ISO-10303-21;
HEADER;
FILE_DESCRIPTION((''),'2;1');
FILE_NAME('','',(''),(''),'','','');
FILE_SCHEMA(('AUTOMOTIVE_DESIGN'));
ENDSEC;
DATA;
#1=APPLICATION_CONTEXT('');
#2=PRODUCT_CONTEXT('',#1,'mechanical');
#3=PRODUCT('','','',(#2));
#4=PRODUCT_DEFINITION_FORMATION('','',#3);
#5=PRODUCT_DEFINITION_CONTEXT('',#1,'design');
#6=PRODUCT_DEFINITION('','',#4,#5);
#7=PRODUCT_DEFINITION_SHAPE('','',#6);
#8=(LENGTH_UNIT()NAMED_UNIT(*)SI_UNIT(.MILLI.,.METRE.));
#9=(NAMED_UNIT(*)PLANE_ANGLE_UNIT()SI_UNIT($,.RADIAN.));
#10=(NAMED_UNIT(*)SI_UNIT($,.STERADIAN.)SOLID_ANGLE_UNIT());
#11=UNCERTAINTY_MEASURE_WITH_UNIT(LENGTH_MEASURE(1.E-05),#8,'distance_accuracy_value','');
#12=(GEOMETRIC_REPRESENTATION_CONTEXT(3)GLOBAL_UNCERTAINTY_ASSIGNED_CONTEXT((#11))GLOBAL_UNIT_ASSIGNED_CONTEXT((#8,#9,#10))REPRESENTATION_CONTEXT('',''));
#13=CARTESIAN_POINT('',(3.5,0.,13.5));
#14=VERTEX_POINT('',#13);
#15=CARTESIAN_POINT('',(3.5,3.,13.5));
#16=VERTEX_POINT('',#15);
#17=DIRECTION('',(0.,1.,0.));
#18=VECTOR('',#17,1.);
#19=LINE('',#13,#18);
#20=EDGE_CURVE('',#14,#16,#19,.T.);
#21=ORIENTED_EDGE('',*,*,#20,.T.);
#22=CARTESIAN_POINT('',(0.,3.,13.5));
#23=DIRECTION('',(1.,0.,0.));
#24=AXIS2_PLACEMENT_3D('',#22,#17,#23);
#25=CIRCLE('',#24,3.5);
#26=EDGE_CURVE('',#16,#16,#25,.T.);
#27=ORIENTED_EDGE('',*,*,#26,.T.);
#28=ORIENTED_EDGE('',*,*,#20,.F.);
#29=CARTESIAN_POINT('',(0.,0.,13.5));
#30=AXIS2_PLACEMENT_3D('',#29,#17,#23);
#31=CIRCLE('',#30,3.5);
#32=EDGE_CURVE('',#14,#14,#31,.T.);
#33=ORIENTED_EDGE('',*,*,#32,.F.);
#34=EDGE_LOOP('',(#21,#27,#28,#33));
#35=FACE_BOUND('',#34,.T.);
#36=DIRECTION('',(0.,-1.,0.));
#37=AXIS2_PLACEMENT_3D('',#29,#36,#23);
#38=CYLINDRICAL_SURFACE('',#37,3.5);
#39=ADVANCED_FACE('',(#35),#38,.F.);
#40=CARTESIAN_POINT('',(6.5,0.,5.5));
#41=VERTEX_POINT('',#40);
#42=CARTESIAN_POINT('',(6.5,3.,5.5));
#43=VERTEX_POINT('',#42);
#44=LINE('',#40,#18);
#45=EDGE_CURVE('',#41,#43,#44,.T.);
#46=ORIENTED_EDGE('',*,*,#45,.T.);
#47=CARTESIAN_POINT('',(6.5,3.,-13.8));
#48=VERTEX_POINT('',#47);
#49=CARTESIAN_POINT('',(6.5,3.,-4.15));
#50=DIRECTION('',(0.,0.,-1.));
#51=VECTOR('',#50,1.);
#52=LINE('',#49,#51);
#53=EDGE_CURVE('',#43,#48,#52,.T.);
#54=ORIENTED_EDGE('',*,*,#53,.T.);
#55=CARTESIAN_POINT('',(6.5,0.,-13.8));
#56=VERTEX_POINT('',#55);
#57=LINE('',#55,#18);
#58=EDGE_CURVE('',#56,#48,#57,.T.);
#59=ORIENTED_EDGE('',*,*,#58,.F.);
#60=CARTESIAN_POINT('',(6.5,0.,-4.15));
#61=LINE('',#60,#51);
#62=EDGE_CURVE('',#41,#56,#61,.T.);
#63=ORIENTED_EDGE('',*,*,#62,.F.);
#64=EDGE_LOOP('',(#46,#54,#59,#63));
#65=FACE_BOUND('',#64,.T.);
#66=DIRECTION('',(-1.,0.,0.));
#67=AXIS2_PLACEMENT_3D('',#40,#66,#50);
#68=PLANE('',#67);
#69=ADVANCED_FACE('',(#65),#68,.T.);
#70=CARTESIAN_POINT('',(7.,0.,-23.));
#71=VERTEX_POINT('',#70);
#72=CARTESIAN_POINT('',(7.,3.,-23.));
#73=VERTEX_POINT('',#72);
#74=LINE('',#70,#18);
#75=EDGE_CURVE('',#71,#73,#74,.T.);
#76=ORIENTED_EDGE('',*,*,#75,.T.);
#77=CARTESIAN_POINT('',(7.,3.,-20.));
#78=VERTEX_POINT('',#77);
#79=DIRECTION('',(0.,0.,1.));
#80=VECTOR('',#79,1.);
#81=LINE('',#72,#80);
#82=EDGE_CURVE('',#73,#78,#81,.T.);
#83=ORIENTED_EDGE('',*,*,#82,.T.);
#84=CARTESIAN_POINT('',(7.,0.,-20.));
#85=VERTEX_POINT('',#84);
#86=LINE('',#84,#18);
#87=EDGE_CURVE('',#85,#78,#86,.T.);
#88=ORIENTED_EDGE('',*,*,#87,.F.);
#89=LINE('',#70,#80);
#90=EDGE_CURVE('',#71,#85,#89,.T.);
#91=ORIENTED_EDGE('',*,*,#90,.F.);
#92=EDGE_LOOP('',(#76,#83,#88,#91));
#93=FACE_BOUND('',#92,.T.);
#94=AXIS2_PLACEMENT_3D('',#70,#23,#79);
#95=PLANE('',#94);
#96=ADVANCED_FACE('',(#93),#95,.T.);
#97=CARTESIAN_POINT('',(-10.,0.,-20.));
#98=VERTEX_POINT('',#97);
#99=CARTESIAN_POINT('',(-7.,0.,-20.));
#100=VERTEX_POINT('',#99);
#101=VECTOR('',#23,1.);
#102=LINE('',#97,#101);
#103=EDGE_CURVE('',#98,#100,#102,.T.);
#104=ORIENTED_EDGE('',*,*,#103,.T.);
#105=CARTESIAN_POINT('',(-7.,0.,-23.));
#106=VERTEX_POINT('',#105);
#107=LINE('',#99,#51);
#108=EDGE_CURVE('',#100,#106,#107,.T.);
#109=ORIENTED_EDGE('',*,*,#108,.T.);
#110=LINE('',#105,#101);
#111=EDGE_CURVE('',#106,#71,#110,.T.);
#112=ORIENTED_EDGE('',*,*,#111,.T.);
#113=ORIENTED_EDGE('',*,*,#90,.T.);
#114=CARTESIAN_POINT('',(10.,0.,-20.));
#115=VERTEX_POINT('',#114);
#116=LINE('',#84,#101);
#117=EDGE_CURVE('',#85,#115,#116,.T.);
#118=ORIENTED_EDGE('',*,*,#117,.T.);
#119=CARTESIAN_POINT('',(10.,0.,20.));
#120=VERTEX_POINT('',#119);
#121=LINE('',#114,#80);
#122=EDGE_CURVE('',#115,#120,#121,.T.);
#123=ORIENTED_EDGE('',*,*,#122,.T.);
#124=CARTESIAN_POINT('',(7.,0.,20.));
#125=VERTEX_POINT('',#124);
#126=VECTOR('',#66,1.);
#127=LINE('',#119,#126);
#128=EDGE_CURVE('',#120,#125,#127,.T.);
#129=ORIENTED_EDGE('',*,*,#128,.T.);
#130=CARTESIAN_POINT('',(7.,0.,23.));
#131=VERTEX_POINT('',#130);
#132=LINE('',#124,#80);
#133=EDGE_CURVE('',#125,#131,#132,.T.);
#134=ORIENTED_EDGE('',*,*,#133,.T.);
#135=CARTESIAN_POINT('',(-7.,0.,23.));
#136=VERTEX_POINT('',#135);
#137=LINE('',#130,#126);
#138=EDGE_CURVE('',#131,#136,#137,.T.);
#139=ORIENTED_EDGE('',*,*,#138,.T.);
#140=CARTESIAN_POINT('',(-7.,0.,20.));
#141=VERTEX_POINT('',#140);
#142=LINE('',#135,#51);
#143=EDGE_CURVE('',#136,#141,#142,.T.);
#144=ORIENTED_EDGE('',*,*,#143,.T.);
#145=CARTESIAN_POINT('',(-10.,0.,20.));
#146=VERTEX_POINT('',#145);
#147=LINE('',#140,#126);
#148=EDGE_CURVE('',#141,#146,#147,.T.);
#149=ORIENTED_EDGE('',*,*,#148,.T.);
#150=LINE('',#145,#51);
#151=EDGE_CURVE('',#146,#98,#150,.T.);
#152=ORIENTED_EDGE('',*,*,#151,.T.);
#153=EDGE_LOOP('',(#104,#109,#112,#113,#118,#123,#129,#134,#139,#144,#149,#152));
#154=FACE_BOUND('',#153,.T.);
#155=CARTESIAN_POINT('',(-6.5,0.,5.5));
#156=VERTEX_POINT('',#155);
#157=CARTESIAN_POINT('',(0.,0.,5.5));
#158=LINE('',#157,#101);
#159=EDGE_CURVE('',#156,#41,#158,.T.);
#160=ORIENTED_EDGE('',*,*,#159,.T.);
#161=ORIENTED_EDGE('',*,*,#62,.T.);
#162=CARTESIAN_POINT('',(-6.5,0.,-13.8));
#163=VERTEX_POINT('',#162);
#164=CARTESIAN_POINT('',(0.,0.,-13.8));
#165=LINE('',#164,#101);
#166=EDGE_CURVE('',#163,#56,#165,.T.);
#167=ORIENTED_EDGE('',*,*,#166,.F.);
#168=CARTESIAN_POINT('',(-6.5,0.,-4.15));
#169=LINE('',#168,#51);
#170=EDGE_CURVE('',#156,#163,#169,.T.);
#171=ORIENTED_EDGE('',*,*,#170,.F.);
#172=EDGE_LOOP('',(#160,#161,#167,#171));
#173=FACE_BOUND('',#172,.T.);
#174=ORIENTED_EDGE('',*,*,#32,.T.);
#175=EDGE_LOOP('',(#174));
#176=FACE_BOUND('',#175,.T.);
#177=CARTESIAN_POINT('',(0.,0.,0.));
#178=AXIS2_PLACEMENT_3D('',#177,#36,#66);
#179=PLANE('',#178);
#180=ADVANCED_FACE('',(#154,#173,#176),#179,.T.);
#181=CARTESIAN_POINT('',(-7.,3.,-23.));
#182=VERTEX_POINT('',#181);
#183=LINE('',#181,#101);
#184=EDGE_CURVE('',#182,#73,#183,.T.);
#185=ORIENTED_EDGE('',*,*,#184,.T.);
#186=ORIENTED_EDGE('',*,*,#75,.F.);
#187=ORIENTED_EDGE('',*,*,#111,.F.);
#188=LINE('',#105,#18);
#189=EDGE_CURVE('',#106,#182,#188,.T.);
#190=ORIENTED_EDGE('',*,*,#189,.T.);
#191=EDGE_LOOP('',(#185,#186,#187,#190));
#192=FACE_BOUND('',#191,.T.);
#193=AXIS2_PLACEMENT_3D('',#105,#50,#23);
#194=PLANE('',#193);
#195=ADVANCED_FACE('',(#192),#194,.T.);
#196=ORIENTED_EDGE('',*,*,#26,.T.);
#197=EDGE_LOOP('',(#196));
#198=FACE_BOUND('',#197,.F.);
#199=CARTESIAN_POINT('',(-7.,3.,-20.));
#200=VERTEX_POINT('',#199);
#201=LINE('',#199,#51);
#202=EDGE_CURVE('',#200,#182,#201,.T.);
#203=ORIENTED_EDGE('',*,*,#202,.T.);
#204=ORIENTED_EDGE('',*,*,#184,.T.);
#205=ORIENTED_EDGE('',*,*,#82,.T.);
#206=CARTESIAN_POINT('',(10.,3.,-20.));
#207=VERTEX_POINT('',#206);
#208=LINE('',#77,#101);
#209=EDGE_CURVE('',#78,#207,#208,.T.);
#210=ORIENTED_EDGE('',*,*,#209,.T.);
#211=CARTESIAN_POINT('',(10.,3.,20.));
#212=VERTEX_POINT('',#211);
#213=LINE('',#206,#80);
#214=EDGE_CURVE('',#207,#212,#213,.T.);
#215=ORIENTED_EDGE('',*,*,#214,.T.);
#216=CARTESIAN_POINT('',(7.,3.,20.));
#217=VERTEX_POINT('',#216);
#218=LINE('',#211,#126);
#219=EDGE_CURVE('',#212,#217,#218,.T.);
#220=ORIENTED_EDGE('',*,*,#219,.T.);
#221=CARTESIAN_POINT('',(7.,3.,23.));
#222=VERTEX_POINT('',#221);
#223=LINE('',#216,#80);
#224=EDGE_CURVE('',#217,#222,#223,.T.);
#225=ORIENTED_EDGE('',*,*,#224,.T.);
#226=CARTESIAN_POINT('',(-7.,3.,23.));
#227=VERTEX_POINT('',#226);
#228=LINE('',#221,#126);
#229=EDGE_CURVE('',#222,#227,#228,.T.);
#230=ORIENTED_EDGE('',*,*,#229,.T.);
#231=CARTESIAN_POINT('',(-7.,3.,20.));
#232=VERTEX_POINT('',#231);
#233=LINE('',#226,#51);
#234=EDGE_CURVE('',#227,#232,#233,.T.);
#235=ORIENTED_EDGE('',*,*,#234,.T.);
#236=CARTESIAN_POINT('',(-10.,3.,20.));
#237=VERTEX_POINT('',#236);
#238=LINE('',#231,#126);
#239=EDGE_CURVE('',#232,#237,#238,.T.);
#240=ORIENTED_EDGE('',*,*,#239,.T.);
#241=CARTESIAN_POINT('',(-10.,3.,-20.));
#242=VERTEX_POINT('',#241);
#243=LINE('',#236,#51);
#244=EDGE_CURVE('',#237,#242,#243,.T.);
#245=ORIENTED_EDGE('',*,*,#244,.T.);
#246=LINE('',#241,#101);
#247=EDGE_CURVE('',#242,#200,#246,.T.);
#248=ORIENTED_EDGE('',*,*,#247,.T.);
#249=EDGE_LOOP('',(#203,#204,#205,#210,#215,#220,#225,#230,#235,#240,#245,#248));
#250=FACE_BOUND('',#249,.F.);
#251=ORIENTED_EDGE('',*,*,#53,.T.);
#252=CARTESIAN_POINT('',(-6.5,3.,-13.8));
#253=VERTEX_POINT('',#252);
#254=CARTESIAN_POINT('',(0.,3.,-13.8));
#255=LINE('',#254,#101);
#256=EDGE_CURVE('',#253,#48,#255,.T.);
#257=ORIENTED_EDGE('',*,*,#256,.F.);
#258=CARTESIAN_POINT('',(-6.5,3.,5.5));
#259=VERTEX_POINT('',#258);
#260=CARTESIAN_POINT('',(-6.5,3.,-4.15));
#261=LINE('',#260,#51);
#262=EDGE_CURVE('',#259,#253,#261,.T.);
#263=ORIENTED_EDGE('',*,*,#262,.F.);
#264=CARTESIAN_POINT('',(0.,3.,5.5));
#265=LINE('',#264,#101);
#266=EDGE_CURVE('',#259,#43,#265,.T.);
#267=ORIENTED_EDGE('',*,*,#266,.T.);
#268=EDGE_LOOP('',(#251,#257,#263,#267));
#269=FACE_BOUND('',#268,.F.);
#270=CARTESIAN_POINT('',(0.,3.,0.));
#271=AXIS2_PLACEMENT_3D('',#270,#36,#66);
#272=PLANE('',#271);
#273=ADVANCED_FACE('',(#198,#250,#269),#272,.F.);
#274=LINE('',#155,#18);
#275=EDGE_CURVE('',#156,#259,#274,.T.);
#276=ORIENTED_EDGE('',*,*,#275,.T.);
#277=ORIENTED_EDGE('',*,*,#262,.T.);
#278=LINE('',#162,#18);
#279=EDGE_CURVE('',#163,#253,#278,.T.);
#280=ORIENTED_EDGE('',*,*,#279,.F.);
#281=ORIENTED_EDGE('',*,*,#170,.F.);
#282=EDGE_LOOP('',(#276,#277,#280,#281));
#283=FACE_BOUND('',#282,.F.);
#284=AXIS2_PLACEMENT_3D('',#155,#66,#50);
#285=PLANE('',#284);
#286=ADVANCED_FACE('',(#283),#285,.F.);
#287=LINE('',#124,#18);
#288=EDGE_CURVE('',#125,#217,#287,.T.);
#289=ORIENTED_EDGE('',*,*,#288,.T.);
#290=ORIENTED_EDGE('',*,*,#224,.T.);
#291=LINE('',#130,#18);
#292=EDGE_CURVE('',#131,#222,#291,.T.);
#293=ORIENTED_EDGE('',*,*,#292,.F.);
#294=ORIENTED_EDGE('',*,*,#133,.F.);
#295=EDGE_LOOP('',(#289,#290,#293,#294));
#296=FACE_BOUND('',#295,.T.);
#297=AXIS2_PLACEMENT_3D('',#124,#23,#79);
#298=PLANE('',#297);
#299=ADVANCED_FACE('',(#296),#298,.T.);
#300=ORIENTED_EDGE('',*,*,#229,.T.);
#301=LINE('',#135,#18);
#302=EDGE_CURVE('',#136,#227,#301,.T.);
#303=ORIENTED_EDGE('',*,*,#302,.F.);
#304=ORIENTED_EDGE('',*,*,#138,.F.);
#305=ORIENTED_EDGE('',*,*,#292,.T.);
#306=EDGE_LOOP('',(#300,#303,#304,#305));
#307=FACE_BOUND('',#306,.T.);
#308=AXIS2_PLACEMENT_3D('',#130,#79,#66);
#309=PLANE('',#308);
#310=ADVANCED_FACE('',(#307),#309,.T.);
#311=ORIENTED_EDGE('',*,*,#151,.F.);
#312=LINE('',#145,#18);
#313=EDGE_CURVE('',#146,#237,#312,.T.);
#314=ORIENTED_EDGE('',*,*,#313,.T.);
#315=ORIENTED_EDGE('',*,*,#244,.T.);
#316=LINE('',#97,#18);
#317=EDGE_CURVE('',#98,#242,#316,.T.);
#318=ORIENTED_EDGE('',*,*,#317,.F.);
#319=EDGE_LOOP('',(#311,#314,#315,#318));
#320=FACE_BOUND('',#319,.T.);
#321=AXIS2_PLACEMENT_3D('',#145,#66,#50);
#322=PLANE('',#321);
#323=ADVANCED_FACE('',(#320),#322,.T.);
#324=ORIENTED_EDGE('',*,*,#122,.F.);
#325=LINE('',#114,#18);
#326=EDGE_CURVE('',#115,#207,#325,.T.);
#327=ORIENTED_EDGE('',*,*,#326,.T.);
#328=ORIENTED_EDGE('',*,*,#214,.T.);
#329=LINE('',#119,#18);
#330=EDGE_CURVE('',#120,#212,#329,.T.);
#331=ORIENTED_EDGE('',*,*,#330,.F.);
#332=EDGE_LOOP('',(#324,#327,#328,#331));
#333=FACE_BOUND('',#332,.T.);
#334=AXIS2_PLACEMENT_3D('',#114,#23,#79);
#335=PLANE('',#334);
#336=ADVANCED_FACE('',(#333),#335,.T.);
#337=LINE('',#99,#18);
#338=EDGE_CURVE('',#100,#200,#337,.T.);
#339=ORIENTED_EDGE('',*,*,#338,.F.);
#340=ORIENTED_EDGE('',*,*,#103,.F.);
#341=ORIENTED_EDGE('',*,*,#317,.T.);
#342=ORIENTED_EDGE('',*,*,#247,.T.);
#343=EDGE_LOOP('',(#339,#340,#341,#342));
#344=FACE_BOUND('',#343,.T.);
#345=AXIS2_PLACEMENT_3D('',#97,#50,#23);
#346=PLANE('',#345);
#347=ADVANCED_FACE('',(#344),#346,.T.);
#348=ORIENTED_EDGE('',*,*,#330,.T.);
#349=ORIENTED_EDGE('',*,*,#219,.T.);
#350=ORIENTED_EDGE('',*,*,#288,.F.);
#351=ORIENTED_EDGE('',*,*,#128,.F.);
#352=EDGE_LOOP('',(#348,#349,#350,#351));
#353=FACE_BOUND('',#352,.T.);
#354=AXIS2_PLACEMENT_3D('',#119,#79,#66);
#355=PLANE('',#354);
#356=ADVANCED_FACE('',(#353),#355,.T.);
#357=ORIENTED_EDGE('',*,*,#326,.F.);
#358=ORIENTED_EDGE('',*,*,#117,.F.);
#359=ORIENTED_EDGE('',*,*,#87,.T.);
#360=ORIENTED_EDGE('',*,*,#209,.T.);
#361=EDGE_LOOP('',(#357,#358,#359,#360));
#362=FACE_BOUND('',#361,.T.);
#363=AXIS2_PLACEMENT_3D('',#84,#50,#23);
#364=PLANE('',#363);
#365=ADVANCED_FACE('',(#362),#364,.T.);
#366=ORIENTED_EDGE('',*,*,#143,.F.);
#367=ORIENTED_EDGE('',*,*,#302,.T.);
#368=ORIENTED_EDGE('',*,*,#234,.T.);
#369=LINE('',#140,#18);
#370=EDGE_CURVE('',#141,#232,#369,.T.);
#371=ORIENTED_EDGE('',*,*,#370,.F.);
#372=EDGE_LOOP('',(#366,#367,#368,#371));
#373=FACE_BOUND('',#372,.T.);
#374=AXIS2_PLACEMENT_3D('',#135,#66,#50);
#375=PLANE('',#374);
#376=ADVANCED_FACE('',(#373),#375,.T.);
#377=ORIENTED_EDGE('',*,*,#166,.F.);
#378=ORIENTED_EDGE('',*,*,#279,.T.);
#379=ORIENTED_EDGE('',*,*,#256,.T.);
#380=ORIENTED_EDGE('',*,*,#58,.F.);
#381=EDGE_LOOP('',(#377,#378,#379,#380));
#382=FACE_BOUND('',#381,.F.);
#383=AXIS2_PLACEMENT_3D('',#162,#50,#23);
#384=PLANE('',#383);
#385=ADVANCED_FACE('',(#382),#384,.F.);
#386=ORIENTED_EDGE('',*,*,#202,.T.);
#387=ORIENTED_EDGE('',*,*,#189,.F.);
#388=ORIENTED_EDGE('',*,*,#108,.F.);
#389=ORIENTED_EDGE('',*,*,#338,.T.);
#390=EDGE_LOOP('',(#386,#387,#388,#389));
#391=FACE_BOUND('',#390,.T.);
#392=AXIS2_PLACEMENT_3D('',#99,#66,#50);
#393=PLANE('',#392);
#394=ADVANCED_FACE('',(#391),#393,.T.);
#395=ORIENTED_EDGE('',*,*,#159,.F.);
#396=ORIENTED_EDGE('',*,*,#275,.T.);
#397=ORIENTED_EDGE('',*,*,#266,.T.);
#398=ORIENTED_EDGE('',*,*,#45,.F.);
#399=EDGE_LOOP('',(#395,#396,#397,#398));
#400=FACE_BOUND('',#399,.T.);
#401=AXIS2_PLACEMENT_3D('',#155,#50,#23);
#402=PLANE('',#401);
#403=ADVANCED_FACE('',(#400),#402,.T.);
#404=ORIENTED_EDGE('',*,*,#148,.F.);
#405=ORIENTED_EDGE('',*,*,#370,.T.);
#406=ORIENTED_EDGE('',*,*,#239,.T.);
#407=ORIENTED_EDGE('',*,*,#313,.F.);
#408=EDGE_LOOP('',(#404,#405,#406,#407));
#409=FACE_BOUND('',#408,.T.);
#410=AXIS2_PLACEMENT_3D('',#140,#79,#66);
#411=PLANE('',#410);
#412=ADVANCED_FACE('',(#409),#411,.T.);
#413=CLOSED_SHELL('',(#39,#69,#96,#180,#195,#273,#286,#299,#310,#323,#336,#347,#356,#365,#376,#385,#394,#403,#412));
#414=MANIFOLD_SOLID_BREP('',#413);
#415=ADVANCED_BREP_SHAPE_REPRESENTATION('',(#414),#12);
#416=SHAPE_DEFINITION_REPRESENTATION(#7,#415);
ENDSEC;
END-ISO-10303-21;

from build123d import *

# Parameters (mm, degrees)
SKETCH1_R           = 3.5
SKETCH1_W           = 13
SKETCH1_H           = 19.3
BOSS_EXTRUDE1_DEPTH = 3


with BuildPart() as part:
    # Sketch1 → Boss-Extrude1 (new body)
    with BuildSketch(Plane(origin=(0, 0, 0), x_dir=(1, 0, 0), z_dir=(0, 1, 0))):
        Polygon((7, 20), (10, 20), (10, -20), (7, -20), (7, -23), (-7, -23), (-7, -20), (-10, -20), (-10, 20), (-7, 20), (-7, 23), (7, 23), align=None)
        with Locations((0, -13.5)):
            Circle(SKETCH1_R, mode=Mode.SUBTRACT)
        with Locations((0, 4.15)):
            Rectangle(SKETCH1_W, SKETCH1_H, mode=Mode.SUBTRACT)
    extrude(amount=BOSS_EXTRUDE1_DEPTH)


solid = part.part
